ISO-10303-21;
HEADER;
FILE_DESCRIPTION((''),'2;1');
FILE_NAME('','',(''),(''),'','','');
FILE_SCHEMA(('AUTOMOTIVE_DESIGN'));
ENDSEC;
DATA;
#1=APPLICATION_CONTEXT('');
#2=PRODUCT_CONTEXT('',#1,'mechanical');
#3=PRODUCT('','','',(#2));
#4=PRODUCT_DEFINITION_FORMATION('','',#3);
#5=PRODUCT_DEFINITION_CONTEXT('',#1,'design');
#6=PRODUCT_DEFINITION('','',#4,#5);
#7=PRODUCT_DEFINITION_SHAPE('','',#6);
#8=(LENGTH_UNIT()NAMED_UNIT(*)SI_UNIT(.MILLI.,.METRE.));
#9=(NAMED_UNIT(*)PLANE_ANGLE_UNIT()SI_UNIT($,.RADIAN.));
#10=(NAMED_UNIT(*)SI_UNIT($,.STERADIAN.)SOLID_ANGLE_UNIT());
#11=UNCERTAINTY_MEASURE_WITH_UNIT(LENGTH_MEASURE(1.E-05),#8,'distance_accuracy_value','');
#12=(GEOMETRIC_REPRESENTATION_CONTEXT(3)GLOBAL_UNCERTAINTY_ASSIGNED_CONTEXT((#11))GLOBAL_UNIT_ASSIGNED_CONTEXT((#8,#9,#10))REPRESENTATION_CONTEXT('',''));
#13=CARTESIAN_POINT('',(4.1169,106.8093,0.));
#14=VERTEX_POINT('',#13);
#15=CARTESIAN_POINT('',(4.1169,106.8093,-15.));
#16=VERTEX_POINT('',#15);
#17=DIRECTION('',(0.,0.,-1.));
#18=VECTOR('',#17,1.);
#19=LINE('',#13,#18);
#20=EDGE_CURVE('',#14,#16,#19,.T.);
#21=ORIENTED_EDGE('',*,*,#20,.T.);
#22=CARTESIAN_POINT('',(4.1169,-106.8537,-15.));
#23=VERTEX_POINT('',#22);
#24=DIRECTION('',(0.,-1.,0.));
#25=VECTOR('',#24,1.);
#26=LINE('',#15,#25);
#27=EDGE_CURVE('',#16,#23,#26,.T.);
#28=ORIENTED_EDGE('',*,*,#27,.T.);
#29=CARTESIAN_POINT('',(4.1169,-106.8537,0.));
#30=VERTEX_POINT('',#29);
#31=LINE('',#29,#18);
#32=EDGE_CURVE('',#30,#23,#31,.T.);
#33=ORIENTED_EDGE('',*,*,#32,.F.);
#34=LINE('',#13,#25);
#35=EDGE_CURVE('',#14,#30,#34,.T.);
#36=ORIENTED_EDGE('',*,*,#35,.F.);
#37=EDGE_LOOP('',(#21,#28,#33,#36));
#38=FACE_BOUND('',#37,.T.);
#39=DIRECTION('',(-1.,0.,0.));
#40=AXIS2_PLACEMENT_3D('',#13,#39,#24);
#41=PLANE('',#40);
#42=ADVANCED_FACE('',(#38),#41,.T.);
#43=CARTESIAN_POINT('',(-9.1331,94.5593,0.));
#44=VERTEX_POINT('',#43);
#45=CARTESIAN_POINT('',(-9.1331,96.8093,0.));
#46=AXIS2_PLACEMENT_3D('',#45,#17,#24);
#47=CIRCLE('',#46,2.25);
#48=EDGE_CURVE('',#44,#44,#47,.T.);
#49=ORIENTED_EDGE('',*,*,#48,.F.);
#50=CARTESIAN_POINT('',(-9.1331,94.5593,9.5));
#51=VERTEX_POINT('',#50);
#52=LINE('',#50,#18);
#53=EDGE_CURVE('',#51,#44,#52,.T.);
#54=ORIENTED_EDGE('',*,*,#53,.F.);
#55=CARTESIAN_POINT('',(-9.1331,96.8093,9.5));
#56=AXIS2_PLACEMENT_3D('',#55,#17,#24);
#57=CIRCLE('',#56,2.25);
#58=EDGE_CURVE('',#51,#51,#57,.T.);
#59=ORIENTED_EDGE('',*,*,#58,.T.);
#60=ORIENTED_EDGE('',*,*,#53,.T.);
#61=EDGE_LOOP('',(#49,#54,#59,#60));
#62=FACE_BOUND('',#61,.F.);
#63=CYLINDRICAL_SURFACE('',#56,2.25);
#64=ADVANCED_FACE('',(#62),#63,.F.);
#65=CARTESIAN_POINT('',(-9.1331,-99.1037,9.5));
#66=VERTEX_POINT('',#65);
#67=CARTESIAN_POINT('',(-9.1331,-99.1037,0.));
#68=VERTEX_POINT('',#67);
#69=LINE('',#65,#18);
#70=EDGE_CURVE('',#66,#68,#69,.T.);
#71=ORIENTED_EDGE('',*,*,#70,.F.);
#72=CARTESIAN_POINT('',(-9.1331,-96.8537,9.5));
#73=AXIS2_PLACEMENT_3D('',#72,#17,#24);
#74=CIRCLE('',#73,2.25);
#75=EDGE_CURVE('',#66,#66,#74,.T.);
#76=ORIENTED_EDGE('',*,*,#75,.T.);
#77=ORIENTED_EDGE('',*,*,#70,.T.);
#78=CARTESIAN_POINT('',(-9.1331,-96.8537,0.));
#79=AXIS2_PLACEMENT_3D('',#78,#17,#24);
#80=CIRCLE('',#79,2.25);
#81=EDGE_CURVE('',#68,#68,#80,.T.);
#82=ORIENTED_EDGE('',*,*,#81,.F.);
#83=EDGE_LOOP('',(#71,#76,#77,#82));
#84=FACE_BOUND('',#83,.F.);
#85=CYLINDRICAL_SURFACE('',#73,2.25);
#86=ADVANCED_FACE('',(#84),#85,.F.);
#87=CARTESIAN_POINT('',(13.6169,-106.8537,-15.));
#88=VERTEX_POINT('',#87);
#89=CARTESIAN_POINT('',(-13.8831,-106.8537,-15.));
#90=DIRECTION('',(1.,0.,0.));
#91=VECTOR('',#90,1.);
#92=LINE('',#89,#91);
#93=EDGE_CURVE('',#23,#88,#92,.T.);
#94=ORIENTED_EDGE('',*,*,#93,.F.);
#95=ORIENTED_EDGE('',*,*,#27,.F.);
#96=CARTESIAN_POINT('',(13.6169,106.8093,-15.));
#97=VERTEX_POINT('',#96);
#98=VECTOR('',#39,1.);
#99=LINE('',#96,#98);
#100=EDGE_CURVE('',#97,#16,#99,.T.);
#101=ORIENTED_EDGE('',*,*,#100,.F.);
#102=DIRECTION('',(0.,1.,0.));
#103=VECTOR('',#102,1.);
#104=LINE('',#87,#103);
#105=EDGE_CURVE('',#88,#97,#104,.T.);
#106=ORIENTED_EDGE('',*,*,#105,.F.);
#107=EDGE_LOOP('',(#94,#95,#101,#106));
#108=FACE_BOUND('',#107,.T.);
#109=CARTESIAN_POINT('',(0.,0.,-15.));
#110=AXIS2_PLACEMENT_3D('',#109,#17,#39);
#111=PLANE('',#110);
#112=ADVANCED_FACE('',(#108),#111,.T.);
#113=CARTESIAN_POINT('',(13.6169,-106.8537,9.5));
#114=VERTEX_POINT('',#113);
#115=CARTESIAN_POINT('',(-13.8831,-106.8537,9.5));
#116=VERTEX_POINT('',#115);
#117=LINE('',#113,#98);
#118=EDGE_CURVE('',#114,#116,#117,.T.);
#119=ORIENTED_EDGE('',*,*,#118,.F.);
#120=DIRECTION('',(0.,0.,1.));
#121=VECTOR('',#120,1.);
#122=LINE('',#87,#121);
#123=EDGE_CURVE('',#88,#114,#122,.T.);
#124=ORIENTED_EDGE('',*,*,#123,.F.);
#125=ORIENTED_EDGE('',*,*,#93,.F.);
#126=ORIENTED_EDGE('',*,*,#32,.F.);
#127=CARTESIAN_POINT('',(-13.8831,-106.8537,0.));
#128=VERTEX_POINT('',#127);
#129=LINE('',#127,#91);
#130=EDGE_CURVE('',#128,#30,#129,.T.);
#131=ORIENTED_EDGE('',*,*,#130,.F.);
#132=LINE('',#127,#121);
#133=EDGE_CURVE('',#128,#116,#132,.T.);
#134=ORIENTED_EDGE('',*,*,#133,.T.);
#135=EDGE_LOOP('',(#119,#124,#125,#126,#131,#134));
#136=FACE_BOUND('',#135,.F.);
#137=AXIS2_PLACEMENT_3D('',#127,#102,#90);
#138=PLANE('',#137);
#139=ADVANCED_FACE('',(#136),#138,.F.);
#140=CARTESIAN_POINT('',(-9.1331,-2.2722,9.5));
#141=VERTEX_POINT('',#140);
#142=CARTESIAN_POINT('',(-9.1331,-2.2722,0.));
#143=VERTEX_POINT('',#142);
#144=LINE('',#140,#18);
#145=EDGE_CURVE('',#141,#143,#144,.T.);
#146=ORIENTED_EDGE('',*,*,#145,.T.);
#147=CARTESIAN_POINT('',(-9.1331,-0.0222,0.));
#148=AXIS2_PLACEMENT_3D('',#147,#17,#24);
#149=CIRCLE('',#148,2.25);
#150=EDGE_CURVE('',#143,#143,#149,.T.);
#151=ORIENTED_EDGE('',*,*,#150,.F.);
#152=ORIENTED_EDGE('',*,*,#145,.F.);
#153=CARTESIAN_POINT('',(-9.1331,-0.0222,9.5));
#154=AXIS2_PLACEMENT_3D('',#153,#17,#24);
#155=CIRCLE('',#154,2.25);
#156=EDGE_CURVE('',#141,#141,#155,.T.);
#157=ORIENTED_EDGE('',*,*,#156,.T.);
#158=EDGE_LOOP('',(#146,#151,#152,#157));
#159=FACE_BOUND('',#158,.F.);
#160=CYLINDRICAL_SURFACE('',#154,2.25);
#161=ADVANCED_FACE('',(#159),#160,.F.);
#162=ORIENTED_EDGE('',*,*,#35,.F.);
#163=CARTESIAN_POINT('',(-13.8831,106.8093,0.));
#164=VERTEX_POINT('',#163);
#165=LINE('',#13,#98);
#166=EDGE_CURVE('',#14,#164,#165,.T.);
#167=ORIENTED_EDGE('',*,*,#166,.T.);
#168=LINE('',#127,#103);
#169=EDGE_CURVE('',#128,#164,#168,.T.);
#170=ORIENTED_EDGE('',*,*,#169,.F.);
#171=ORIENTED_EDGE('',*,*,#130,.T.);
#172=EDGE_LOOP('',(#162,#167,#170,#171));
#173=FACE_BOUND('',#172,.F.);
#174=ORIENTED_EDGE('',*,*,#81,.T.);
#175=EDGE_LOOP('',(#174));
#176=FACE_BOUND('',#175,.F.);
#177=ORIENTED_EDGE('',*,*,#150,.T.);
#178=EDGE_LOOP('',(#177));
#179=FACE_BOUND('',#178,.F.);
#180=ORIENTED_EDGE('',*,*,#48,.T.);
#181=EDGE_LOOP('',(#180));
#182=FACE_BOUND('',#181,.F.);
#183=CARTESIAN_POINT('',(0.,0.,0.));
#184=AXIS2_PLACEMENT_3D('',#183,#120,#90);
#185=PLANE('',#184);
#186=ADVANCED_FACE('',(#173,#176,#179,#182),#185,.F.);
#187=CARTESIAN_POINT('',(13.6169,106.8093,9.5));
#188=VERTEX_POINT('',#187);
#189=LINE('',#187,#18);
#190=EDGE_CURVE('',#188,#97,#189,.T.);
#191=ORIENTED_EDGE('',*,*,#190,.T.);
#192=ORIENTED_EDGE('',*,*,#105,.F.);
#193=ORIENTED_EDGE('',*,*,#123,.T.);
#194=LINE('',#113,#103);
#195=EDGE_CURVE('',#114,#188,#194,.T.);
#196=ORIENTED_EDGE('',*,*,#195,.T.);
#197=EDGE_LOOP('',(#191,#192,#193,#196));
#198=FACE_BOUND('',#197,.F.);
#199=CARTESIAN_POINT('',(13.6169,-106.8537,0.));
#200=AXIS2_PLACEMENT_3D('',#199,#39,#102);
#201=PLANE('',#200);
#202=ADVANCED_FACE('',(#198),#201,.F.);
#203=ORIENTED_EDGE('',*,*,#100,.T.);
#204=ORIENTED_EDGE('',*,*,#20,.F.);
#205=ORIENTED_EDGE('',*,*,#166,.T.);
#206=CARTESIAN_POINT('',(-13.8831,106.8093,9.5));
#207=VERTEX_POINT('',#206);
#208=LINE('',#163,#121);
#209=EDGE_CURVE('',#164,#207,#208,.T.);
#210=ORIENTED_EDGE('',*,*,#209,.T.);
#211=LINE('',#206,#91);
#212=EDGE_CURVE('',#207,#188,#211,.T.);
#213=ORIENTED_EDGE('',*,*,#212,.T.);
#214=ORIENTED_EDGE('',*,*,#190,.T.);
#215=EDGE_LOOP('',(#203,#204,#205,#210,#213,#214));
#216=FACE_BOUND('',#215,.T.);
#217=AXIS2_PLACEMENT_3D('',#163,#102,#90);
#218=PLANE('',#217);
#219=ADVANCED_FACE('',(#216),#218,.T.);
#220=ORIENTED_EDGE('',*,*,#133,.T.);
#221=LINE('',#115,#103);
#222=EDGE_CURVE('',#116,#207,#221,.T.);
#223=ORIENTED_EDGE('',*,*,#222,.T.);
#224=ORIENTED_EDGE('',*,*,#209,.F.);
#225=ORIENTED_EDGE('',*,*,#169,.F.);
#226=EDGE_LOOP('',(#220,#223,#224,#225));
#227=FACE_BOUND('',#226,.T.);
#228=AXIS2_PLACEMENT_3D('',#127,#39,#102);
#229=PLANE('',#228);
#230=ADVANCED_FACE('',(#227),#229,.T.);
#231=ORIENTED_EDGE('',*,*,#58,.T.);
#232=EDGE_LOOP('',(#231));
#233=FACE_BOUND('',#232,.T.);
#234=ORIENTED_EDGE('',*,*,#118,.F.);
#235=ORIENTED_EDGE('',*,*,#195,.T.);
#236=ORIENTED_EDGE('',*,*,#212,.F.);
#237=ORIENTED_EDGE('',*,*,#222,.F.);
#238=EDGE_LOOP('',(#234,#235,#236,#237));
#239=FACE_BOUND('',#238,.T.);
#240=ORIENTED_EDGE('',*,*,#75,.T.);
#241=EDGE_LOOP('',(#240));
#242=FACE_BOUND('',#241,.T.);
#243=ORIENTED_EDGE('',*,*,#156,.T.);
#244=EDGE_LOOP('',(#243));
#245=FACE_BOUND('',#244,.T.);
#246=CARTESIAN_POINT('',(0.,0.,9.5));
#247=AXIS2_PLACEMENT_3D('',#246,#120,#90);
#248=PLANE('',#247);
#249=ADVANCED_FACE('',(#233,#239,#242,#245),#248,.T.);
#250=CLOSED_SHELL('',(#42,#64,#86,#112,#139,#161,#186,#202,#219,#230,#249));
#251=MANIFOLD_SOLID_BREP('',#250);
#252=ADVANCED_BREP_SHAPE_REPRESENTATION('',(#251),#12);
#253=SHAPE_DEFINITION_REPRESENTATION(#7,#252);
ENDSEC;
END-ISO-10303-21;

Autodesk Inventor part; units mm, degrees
ref_plane "YZ Plane" through (0, 0, 0) normal (1, 0, 0) x (0, 1, 0)
ref_plane "XZ Plane" through (0, 0, 0) normal (0, 1, 0) x (-1, 0, 0)
ref_plane "XY Plane" through (0, 0, 0) normal (0, 0, 1) x (1, 0, 0)
sketch "Esboço1" plane through (0, 0, 0) normal (0, 0, 1) x (1, 0, 0)
  line L0 (3.6169, 102.1463) -> (3.6169, -101.8537)
  line L1 (-13.8831, -106.8537) -> (-13.8831, 106.8093)
  line L2 (-13.8831, -106.8537) -> (-4.3831, -106.8537)
  line L3 (-13.8831, 106.8093) -> (-4.3831, 106.8093)
  circle A0 centre (-9.1331, -96.8537) radius 1.621
  circle A1 centre (-9.1331, -0.0222) radius 1.621
  circle A2 centre (-9.1331, 96.8093) radius 1.621
  line L4 (-13.8831, -106.8537) -> (13.6169, -106.8537)
  line L5 (13.6169, -106.8537) -> (13.6169, 106.8093)
  line L6 (13.6169, 106.8093) -> (-13.8831, 106.8093)
  line L7 (-13.8831, 106.8093) -> (-13.8831, -106.8537)
  point P0 (0, 0)
  point P1 (-13.8831, -10.6907)
  dimension "d0" = 0
  dimension "d1" = 10
extrude "Extrusão1" add sketch "Esboço1" along normal blind 9.5
sketch "Esboço2" plane through (0, 0, 0) normal (0, 0, -1) x (-1, 0, 0)
  line L0 (-13.6169, 106.8093) -> (13.8831, 106.8093) projected
  line L1 (13.8831, -106.8537) -> (-13.6169, -106.8537) projected
  line L2 (-13.6169, 106.8093) -> (-4.1169, 106.8093)
  line L3 (-4.1169, 106.8093) -> (-4.1169, -106.8537)
  line L4 (-4.1169, -106.8537) -> (-13.6169, -106.8537)
  line L5 (-13.6169, -106.8537) -> (-13.6169, 106.8093)
  point P0 (0, 0)
  dimension "d4" = 9.5
extrude "Extrusão2" add sketch "Esboço2" along normal blind 15
sketch "Esboço3" plane through (0, 0, 9.5) normal (0, 0, 1) x (1, 0, 0)
  circle A0 centre (-9.1331, -96.8537) radius 1.621 projected
  circle A1 centre (-9.1331, -0.0222) radius 1.621 projected
  circle A2 centre (-9.1331, 96.8093) radius 1.621 projected
  point P0 (0, 0)
hole "Furo1" at (-9.1331, -96.8537, 9.5) at (-9.1331, -0.0222, 9.5) at (-9.1331, 96.8093, 9.5) direction (0, 0, -1) diameter 4.5 end through all clearance for "Countersunk Flat Head Screw ISO 2009/7046" size "M4" standard "ISO"
properties part number "Guia lateral do top" material "Alumínio 6061"
